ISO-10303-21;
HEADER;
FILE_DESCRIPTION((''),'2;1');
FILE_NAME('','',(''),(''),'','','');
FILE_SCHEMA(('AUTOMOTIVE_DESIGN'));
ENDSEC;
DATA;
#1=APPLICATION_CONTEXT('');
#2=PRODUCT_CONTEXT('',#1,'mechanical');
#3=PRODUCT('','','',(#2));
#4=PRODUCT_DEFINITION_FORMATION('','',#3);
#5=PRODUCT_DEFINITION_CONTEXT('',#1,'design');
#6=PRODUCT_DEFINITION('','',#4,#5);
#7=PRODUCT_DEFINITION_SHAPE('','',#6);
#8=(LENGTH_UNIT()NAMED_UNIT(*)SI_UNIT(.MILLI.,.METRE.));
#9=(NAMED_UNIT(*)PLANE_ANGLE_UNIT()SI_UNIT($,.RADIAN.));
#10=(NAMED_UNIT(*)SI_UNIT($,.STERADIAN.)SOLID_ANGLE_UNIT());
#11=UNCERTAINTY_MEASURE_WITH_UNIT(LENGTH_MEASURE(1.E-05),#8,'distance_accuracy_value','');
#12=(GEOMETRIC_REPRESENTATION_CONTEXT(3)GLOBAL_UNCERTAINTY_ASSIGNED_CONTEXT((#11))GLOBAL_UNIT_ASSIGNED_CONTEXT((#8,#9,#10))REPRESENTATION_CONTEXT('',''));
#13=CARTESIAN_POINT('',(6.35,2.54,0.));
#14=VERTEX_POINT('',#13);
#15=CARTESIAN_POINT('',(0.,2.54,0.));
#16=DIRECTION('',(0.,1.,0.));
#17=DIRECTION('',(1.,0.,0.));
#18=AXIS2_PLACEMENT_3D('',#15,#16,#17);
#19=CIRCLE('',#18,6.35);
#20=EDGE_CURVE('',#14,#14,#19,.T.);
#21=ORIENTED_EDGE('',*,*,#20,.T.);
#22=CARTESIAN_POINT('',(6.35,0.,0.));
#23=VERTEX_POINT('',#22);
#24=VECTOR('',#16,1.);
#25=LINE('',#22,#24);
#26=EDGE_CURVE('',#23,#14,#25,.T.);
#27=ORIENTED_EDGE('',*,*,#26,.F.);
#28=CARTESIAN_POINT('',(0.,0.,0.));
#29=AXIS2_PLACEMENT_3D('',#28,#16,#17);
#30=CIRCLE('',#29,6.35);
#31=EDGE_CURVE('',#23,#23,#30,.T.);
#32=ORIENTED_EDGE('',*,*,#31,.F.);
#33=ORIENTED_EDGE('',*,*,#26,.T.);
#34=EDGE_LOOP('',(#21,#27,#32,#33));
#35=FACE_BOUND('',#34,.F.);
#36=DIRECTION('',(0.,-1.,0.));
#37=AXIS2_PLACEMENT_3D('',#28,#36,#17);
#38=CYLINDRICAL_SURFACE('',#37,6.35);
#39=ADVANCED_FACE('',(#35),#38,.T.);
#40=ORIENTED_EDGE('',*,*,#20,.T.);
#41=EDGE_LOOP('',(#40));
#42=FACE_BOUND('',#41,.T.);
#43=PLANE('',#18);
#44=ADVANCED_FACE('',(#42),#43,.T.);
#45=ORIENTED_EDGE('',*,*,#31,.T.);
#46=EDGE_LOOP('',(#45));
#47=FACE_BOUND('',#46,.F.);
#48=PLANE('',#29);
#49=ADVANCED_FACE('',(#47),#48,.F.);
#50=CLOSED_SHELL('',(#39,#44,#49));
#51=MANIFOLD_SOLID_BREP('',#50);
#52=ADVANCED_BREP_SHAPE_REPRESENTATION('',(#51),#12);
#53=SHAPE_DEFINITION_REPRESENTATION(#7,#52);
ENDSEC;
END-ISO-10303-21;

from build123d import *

# Parameters (mm, degrees)
SKETCH1_R           = 6.35
BOSS_EXTRUDE1_DEPTH = 2.54


with BuildPart() as part:
    # Sketch1 → Boss-Extrude1 (new body)
    with BuildSketch(Plane(origin=(0, 0, 0), x_dir=(1, 0, 0), z_dir=(0, 1, 0))):
        Circle(SKETCH1_R)
    extrude(amount=BOSS_EXTRUDE1_DEPTH)


solid = part.part
